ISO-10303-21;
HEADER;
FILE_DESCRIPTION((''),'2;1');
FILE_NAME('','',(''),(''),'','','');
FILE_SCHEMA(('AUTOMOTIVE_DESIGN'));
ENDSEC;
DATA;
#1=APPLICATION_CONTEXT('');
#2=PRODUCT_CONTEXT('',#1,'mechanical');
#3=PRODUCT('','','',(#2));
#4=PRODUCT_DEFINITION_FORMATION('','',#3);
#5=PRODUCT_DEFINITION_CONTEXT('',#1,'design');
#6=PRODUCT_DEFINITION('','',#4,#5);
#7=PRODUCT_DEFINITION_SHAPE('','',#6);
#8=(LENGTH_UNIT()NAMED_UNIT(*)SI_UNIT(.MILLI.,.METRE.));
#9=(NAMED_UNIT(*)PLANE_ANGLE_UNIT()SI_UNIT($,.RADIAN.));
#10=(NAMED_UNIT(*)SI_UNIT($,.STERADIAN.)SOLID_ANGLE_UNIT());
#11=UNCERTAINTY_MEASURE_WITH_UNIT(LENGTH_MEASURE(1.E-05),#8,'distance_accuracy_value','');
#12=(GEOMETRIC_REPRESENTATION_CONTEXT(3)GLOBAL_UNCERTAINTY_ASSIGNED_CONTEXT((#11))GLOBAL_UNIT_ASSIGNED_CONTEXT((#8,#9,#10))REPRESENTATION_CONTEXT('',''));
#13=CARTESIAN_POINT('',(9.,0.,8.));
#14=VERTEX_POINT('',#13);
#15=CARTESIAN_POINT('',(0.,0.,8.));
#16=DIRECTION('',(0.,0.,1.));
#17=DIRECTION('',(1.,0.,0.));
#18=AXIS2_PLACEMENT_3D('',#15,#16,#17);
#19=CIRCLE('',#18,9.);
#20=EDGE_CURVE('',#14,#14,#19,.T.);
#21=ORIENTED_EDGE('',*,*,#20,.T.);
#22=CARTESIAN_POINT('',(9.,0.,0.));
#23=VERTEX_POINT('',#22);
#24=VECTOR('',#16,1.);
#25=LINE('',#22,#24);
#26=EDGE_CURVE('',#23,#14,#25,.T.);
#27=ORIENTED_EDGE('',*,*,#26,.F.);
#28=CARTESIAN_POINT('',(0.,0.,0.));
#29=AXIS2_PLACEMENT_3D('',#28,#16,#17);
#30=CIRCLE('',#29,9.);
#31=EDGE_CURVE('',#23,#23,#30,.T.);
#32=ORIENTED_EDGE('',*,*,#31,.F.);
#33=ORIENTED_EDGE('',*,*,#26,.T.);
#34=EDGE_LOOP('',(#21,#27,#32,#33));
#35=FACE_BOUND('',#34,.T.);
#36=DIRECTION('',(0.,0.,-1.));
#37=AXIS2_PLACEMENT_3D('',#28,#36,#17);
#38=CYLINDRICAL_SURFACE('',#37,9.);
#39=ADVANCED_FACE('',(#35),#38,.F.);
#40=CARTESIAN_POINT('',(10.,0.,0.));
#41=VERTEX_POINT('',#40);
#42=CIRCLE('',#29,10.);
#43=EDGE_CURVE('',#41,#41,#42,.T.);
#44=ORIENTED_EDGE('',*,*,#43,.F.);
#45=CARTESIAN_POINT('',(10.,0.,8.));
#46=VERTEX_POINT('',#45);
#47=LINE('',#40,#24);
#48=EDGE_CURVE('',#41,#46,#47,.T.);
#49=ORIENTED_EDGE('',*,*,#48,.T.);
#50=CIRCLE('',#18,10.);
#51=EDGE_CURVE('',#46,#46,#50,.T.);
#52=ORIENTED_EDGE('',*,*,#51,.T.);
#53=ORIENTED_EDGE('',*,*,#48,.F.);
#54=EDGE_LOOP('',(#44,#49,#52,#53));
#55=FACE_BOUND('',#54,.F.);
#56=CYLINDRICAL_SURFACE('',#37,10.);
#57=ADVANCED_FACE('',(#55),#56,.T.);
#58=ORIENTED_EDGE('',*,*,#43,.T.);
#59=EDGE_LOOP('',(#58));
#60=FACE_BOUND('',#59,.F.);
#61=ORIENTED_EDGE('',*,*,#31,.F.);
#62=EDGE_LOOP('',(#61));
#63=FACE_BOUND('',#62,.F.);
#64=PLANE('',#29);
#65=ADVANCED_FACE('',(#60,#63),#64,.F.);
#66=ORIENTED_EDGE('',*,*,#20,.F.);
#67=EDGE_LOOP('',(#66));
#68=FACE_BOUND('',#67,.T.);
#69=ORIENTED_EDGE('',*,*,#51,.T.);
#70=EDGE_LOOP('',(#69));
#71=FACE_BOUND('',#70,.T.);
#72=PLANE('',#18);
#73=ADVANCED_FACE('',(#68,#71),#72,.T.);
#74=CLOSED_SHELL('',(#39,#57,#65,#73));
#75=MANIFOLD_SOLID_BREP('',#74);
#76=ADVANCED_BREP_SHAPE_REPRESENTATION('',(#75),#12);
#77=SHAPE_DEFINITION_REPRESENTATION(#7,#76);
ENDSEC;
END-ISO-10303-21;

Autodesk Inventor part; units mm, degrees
ref_plane "YZ Plane" through (0, 0, 0) normal (1, 0, 0) x (0, 1, 0)
ref_plane "XZ Plane" through (0, 0, 0) normal (0, 1, 0) x (-1, 0, 0)
ref_plane "XY Plane" through (0, 0, 0) normal (0, 0, 1) x (1, 0, 0)
sketch "Sketch1" plane through (0, 0, 0) normal (0, 0, 1) x (1, 0, 0)
  circle A0 centre (0, 0) radius 9
  circle A1 centre (0, 0) radius 10
  dimension "d0" = 20
  dimension "d4" = 18
extrude "Extrusion1" add sketch "Sketch1" along normal blind 8
properties part number "cathode-screen-v1" material "Stainless Steel"
